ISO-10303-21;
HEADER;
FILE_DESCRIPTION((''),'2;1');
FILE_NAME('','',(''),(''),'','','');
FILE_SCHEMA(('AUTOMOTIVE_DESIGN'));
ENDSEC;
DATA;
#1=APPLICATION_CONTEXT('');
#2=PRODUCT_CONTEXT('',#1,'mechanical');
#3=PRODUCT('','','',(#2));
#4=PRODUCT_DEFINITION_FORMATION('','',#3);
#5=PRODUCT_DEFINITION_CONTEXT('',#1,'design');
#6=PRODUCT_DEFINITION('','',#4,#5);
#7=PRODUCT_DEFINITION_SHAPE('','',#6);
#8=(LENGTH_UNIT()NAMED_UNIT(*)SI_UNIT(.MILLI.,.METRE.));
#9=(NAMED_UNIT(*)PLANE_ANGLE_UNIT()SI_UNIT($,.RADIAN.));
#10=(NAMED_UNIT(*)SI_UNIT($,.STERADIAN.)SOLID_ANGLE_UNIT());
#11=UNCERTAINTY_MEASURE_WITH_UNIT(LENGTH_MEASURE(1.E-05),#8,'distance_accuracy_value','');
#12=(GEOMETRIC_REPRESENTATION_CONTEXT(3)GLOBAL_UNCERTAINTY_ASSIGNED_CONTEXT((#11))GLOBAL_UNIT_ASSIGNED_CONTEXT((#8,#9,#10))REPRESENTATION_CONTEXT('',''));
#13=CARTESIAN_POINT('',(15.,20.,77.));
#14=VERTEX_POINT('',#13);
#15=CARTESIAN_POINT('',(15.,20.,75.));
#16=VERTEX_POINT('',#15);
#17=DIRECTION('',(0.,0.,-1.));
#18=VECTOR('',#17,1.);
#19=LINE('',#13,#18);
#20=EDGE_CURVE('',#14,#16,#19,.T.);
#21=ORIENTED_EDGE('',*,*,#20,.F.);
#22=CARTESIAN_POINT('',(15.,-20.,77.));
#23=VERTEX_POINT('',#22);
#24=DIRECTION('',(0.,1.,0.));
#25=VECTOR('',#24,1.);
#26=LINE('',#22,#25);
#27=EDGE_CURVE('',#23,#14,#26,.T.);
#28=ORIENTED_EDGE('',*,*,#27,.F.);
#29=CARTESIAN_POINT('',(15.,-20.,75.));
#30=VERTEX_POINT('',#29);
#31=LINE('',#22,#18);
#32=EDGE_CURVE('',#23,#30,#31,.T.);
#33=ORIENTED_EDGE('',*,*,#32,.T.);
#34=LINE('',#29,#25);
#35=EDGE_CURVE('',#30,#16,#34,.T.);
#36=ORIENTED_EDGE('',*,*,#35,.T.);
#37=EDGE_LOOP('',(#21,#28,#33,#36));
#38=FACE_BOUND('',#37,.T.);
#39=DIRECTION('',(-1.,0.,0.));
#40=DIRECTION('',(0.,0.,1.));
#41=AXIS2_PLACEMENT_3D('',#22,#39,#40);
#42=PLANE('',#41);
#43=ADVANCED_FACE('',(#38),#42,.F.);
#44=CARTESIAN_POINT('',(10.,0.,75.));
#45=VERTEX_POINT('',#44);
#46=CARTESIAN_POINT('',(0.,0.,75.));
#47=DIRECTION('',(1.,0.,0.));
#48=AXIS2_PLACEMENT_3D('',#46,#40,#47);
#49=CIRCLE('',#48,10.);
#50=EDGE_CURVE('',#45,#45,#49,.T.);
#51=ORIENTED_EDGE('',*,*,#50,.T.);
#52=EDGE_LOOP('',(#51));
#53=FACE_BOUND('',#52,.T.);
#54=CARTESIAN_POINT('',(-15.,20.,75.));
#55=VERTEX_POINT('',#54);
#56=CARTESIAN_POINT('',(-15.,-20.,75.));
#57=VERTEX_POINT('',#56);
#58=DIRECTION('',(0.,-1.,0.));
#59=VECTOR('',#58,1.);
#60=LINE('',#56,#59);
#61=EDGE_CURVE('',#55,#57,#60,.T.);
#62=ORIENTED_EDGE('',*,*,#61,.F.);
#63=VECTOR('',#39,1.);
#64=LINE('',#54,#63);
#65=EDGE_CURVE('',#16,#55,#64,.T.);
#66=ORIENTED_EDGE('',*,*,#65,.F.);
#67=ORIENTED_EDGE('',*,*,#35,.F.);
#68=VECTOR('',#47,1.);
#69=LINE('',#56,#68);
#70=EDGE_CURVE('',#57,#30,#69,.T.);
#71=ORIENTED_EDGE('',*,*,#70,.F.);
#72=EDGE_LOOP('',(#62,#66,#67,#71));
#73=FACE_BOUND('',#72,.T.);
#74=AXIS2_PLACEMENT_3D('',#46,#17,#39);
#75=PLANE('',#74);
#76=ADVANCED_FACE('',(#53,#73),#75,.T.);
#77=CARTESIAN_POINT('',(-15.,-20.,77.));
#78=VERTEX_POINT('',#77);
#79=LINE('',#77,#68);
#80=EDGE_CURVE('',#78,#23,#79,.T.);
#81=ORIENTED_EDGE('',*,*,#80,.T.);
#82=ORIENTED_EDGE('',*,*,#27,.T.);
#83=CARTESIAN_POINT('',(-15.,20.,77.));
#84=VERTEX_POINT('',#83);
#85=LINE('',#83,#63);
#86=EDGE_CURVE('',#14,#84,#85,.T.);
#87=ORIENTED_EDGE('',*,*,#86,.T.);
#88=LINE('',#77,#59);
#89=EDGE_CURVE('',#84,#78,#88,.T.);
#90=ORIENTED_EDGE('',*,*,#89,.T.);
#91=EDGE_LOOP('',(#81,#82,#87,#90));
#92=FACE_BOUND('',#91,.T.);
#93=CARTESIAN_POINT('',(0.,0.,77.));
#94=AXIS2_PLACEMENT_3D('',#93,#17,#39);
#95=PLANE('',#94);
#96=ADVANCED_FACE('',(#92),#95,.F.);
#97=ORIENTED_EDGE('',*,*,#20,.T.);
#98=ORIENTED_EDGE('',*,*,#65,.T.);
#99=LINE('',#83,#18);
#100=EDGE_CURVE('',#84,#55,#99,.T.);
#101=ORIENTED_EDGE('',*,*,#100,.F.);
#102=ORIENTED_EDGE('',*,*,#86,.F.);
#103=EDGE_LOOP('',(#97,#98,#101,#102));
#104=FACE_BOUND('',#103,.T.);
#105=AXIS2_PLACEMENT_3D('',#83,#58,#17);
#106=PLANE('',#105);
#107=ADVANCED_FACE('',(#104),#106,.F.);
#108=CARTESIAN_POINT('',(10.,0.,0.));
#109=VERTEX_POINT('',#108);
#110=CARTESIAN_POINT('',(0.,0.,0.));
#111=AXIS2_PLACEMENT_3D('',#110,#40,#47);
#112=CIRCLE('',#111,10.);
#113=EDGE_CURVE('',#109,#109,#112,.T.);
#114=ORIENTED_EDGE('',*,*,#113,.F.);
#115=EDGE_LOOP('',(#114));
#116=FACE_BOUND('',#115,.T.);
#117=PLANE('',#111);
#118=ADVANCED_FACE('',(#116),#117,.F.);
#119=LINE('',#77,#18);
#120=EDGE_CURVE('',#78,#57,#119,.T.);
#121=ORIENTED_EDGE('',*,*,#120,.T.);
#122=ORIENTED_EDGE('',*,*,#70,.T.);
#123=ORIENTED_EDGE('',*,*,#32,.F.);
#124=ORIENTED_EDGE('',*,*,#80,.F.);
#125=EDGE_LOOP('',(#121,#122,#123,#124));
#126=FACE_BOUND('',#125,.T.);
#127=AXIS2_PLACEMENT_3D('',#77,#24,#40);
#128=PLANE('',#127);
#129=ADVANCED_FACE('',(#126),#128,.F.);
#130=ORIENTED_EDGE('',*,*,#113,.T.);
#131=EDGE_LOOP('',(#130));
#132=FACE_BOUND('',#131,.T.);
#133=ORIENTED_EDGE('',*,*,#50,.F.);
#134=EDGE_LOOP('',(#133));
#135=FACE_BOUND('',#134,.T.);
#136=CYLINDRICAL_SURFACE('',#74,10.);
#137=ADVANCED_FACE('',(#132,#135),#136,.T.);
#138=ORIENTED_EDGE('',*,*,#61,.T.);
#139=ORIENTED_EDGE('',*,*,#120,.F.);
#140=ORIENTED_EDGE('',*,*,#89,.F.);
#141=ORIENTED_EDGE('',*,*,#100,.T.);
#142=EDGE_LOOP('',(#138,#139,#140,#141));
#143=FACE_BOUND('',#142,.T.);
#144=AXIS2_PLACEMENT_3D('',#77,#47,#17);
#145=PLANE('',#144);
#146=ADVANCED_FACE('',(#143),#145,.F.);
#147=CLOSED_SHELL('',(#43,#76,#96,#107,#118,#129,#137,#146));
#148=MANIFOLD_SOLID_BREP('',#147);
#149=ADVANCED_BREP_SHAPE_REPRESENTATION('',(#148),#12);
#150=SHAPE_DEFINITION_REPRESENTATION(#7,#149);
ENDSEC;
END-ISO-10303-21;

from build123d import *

# Parameters (mm, degrees)
CROQUIS1_R              = 10
SALIENTE_EXTRUIR1_DEPTH = 75
CROQUIS2_W              = 30
CROQUIS2_H              = 40
SALIENTE_EXTRUIR2_DEPTH = 2


with BuildPart() as part:
    # Croquis1 → Saliente-Extruir1 (new body)
    with BuildSketch(Plane.XY):
        Circle(CROQUIS1_R)
    extrude(amount=SALIENTE_EXTRUIR1_DEPTH)

    # Croquis2 → Saliente-Extruir2 (add)
    with BuildSketch(Plane.XY.offset(75)):
        Rectangle(CROQUIS2_W, CROQUIS2_H)
    extrude(amount=SALIENTE_EXTRUIR2_DEPTH)


solid = part.part
